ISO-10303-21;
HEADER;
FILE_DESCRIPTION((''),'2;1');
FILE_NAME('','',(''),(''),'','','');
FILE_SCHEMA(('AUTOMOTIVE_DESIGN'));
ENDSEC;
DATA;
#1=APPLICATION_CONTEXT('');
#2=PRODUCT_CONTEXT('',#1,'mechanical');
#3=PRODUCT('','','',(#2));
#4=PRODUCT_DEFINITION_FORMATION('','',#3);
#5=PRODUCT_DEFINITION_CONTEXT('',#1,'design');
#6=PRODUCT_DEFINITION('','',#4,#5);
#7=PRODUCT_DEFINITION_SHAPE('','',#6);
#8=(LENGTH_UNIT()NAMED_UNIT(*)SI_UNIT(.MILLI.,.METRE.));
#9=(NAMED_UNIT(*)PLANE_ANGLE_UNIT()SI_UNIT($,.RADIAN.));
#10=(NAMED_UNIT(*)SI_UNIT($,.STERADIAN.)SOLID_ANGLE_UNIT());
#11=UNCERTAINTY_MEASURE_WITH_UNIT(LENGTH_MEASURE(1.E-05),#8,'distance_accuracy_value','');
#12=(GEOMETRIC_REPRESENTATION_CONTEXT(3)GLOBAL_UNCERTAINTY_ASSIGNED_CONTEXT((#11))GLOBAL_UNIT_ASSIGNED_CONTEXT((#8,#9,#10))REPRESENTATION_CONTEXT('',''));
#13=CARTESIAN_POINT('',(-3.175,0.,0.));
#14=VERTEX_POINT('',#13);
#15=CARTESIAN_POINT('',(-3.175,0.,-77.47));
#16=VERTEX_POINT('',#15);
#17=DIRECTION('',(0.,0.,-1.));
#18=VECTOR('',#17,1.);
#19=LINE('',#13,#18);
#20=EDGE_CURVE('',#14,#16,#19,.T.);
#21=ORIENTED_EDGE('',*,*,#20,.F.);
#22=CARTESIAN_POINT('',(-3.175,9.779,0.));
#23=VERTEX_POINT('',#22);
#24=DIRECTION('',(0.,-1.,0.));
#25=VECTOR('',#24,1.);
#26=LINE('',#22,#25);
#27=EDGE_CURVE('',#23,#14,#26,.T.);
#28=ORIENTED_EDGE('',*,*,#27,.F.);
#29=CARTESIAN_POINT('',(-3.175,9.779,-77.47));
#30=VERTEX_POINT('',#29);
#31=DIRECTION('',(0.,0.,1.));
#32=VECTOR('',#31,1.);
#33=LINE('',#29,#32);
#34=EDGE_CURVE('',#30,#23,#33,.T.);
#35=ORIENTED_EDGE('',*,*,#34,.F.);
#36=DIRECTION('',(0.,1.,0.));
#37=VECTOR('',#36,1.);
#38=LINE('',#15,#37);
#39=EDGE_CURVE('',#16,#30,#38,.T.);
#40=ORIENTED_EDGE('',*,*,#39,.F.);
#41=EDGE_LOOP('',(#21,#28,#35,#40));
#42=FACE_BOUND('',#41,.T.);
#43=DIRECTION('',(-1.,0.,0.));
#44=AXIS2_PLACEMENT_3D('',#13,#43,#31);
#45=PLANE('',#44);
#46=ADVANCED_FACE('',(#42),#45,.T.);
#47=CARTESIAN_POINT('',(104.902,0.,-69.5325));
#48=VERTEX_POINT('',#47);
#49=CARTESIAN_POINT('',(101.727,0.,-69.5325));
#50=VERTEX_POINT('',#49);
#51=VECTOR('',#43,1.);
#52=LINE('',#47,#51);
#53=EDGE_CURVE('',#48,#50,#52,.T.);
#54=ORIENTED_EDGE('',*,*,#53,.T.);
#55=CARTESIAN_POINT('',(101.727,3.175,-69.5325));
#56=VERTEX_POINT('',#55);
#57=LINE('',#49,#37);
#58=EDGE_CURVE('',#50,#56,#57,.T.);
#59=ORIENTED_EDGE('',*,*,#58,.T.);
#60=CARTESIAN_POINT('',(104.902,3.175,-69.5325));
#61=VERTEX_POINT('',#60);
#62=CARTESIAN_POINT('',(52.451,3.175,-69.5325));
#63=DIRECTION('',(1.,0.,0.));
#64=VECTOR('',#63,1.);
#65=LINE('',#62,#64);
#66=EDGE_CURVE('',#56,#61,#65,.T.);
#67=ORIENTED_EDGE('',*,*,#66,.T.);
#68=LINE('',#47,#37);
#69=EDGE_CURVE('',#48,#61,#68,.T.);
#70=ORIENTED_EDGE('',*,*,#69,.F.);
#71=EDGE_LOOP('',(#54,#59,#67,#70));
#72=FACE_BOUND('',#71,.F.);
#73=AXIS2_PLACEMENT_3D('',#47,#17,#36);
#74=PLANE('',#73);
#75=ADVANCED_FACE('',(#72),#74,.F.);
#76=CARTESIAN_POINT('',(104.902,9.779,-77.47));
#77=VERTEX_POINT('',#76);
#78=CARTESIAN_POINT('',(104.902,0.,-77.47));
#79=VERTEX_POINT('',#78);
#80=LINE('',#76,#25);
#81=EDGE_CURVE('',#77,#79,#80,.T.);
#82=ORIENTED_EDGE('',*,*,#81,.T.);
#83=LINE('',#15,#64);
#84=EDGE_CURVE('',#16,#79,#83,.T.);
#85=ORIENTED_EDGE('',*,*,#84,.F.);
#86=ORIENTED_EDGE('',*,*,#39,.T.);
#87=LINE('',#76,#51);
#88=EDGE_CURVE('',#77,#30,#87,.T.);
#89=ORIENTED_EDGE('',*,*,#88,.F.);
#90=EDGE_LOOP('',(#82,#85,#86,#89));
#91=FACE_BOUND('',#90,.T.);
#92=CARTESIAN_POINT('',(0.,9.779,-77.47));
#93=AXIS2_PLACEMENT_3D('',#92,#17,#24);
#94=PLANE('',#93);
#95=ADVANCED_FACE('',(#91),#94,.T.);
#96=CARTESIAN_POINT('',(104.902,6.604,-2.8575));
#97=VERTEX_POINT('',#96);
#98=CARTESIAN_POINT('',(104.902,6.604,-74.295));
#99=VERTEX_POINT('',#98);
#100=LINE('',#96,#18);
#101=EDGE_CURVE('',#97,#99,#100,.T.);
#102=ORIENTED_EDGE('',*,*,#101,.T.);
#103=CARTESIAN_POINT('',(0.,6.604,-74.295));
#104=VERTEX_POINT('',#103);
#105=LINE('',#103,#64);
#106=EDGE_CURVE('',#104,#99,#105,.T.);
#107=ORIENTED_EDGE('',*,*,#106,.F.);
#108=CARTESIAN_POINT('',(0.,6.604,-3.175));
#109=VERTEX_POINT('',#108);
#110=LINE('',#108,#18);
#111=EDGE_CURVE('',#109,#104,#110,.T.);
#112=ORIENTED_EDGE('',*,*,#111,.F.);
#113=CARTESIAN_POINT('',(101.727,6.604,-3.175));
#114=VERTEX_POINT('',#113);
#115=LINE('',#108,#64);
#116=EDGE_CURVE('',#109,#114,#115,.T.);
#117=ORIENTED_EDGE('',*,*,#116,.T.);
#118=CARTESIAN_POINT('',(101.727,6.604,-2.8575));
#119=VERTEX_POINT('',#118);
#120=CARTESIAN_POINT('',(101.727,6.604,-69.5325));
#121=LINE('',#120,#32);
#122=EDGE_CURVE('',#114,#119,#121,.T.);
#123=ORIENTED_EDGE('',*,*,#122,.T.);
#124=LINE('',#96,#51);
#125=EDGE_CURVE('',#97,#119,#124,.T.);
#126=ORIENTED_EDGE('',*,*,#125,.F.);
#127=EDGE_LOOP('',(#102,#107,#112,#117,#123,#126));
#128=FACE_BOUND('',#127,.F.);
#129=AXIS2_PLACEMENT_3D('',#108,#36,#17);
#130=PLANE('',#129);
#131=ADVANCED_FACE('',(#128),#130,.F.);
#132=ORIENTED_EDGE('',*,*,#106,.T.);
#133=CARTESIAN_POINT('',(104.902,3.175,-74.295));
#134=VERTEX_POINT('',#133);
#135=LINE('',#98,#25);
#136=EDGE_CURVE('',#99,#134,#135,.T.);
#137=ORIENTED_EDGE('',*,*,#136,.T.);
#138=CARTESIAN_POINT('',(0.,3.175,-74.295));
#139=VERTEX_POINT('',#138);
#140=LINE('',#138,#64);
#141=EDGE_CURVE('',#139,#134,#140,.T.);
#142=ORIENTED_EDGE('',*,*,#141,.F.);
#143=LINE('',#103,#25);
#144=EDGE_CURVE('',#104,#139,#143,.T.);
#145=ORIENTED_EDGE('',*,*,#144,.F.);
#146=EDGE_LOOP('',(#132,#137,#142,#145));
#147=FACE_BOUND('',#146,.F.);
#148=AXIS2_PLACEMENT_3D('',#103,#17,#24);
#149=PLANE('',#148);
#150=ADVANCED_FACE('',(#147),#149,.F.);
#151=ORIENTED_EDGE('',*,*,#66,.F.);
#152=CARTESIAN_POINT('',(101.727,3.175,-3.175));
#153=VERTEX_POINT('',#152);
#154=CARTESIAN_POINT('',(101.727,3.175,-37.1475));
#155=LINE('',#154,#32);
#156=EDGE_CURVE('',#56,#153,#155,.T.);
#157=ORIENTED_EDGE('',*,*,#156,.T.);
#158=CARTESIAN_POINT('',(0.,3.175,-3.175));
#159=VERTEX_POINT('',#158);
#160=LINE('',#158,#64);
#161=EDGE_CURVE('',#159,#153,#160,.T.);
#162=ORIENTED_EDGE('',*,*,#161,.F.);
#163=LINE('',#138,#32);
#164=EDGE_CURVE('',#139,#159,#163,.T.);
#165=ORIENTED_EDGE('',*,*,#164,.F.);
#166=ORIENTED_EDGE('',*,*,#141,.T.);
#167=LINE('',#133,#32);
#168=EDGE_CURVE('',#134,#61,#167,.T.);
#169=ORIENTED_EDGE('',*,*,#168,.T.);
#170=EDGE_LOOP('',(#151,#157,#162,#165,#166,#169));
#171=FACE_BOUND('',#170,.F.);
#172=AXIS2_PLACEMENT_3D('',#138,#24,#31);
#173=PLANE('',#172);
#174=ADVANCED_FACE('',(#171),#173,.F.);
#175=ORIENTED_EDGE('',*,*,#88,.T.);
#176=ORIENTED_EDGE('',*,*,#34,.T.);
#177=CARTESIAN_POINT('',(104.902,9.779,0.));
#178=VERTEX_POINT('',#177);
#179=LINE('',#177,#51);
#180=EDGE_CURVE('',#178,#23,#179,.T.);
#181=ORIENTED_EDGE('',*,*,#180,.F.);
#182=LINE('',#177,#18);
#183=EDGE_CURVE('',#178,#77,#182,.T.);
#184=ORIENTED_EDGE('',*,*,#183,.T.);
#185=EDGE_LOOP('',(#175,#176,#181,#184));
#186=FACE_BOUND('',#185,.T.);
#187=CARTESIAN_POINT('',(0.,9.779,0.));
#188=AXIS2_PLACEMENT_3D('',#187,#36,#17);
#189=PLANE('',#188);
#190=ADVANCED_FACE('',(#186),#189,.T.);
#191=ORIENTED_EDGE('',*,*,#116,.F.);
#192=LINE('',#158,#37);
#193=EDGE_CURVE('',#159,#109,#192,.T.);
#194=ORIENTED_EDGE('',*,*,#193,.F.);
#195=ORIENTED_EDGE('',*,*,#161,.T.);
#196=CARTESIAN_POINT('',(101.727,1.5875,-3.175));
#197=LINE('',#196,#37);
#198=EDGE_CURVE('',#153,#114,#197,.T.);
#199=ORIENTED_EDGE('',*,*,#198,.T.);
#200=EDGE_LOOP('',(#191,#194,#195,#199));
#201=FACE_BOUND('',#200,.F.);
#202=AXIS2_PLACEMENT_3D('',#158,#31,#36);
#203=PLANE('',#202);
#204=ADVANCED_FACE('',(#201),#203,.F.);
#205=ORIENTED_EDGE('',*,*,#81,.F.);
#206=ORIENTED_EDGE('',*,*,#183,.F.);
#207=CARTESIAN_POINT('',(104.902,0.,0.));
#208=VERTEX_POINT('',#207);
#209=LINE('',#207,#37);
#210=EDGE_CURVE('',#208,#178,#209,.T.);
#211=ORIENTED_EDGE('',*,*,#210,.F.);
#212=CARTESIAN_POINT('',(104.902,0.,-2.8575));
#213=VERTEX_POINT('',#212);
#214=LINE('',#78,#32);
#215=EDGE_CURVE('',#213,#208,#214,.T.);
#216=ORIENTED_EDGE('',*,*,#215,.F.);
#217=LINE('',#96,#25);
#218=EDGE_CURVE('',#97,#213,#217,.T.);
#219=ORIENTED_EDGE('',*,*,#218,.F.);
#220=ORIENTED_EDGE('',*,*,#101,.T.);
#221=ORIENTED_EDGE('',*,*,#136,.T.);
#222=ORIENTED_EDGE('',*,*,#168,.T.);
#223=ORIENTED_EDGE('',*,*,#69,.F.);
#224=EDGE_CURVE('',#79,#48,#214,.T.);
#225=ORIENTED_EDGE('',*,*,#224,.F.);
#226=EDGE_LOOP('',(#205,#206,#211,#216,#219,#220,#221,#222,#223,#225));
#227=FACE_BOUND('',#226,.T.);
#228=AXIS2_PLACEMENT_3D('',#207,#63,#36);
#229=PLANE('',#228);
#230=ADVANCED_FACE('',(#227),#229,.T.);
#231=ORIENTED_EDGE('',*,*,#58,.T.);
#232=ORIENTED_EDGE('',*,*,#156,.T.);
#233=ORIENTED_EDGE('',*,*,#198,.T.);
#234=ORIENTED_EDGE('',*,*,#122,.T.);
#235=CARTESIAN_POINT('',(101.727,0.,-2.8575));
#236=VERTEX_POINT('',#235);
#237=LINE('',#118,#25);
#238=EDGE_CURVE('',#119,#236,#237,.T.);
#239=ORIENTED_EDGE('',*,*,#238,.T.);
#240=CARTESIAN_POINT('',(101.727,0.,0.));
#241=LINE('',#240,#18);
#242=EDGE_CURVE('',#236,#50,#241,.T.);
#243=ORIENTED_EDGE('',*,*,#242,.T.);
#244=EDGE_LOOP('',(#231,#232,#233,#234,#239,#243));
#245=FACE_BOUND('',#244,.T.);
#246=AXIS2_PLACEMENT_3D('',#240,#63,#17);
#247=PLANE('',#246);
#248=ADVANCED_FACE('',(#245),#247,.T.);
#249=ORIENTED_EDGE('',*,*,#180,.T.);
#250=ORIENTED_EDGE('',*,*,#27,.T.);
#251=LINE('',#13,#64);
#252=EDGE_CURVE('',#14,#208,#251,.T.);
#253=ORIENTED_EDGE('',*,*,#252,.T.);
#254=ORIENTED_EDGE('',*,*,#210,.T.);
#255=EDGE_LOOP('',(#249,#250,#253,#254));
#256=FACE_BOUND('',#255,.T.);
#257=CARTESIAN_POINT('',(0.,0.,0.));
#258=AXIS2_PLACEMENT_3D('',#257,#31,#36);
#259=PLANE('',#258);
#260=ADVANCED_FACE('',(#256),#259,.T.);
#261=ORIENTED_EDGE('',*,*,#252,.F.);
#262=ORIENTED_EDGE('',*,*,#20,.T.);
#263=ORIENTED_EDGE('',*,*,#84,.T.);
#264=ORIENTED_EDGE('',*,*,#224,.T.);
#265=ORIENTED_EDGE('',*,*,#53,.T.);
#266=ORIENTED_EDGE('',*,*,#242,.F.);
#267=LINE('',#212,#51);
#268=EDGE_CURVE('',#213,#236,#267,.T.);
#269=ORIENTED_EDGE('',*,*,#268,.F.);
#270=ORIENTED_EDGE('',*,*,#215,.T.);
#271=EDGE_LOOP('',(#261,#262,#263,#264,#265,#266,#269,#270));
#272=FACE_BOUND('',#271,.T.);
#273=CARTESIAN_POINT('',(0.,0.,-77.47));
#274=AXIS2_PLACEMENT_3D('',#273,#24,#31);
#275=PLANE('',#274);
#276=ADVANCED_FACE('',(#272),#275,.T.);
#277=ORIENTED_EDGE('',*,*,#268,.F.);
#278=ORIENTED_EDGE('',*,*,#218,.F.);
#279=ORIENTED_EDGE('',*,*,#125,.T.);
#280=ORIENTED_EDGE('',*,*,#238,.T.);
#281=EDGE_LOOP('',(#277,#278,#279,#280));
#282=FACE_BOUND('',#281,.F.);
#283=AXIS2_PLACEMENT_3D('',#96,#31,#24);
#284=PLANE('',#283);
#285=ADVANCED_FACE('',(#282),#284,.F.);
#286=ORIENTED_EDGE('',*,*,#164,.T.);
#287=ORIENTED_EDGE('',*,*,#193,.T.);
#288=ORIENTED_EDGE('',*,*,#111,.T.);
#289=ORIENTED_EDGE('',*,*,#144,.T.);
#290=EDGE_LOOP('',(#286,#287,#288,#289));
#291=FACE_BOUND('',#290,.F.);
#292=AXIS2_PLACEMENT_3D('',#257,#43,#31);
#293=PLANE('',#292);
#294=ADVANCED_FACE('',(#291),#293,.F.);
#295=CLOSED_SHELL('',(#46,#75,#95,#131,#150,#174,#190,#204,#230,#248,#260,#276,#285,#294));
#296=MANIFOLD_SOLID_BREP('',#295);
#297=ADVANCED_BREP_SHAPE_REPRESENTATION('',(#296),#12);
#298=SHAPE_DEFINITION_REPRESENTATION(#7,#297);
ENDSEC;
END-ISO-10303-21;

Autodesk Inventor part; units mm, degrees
ref_plane "YZ Plane" through (0, 0, 0) normal (1, 0, 0) x (0, 1, 0)
ref_plane "XZ Plane" through (0, 0, 0) normal (0, 1, 0) x (-1, 0, 0)
ref_plane "XY Plane" through (0, 0, 0) normal (0, 0, 1) x (1, 0, 0)
sketch "Sketch1" plane through (0, 0, 0) normal (1, 0, 0) x (0, 1, 0)
  line L0 (0, 0) -> (9.779, 0)
  line L1 (9.779, 0) -> (9.779, -77.47)
  line L2 (9.779, -77.47) -> (0, -77.47)
  line L3 (0, -77.47) -> (0, 0)
  line L4 (3.175, -3.175) -> (6.604, -3.175)
  line L5 (6.604, -3.175) -> (6.604, -74.295)
  line L6 (6.604, -74.295) -> (3.175, -74.295)
  line L7 (3.175, -74.295) -> (3.175, -3.175)
  dimension "d0" = 3.175
  dimension "d1" = 3.175
  dimension "d2" = 3.175
  dimension "d3" = 3.175
  dimension "d4" = 3.429
  dimension "d5" = 71.12
extrude "Extrusion1" add sketch "Sketch1" along normal blind 104.902
sketch "Sketch2" plane through (0, 0, 0) normal (-1, 0, 0) x (0, 0, 1)
  line L0 (-77.47, 0) -> (-77.47, 9.779) projected
  line L1 (0, 9.779) -> (0, 0) projected
  line L2 (-77.47, 9.779) -> (0, 9.779)
  line L3 (0, 9.779) -> (0, 0)
  line L4 (0, 0) -> (-77.47, 0)
  line L5 (-77.47, 0) -> (-77.47, 9.779)
extrude "Extrusion2" add sketch "Sketch2" along normal blind 3.175
sketch "Sketch3" plane through (104.902, 0, 0) normal (1, 0, 0) x (0, 0, -1)
  line L0 (0, 0) -> (77.47, 0) projected
  line L1 (69.5325, 6.604) -> (2.8575, 6.604)
  line L2 (2.8575, 6.604) -> (2.8575, 0)
  line L3 (2.8575, 0) -> (69.5325, 0)
  line L4 (69.5325, 0) -> (69.5325, 6.604)
  line L5 (77.47, 0) -> (77.47, 9.779) projected
  dimension "d10" = 7.9375
  dimension "d11" = 66.675
extrude "Extrusion3" cut sketch "Sketch3" against normal blind 3.175
properties part number "HardDriveCase"
